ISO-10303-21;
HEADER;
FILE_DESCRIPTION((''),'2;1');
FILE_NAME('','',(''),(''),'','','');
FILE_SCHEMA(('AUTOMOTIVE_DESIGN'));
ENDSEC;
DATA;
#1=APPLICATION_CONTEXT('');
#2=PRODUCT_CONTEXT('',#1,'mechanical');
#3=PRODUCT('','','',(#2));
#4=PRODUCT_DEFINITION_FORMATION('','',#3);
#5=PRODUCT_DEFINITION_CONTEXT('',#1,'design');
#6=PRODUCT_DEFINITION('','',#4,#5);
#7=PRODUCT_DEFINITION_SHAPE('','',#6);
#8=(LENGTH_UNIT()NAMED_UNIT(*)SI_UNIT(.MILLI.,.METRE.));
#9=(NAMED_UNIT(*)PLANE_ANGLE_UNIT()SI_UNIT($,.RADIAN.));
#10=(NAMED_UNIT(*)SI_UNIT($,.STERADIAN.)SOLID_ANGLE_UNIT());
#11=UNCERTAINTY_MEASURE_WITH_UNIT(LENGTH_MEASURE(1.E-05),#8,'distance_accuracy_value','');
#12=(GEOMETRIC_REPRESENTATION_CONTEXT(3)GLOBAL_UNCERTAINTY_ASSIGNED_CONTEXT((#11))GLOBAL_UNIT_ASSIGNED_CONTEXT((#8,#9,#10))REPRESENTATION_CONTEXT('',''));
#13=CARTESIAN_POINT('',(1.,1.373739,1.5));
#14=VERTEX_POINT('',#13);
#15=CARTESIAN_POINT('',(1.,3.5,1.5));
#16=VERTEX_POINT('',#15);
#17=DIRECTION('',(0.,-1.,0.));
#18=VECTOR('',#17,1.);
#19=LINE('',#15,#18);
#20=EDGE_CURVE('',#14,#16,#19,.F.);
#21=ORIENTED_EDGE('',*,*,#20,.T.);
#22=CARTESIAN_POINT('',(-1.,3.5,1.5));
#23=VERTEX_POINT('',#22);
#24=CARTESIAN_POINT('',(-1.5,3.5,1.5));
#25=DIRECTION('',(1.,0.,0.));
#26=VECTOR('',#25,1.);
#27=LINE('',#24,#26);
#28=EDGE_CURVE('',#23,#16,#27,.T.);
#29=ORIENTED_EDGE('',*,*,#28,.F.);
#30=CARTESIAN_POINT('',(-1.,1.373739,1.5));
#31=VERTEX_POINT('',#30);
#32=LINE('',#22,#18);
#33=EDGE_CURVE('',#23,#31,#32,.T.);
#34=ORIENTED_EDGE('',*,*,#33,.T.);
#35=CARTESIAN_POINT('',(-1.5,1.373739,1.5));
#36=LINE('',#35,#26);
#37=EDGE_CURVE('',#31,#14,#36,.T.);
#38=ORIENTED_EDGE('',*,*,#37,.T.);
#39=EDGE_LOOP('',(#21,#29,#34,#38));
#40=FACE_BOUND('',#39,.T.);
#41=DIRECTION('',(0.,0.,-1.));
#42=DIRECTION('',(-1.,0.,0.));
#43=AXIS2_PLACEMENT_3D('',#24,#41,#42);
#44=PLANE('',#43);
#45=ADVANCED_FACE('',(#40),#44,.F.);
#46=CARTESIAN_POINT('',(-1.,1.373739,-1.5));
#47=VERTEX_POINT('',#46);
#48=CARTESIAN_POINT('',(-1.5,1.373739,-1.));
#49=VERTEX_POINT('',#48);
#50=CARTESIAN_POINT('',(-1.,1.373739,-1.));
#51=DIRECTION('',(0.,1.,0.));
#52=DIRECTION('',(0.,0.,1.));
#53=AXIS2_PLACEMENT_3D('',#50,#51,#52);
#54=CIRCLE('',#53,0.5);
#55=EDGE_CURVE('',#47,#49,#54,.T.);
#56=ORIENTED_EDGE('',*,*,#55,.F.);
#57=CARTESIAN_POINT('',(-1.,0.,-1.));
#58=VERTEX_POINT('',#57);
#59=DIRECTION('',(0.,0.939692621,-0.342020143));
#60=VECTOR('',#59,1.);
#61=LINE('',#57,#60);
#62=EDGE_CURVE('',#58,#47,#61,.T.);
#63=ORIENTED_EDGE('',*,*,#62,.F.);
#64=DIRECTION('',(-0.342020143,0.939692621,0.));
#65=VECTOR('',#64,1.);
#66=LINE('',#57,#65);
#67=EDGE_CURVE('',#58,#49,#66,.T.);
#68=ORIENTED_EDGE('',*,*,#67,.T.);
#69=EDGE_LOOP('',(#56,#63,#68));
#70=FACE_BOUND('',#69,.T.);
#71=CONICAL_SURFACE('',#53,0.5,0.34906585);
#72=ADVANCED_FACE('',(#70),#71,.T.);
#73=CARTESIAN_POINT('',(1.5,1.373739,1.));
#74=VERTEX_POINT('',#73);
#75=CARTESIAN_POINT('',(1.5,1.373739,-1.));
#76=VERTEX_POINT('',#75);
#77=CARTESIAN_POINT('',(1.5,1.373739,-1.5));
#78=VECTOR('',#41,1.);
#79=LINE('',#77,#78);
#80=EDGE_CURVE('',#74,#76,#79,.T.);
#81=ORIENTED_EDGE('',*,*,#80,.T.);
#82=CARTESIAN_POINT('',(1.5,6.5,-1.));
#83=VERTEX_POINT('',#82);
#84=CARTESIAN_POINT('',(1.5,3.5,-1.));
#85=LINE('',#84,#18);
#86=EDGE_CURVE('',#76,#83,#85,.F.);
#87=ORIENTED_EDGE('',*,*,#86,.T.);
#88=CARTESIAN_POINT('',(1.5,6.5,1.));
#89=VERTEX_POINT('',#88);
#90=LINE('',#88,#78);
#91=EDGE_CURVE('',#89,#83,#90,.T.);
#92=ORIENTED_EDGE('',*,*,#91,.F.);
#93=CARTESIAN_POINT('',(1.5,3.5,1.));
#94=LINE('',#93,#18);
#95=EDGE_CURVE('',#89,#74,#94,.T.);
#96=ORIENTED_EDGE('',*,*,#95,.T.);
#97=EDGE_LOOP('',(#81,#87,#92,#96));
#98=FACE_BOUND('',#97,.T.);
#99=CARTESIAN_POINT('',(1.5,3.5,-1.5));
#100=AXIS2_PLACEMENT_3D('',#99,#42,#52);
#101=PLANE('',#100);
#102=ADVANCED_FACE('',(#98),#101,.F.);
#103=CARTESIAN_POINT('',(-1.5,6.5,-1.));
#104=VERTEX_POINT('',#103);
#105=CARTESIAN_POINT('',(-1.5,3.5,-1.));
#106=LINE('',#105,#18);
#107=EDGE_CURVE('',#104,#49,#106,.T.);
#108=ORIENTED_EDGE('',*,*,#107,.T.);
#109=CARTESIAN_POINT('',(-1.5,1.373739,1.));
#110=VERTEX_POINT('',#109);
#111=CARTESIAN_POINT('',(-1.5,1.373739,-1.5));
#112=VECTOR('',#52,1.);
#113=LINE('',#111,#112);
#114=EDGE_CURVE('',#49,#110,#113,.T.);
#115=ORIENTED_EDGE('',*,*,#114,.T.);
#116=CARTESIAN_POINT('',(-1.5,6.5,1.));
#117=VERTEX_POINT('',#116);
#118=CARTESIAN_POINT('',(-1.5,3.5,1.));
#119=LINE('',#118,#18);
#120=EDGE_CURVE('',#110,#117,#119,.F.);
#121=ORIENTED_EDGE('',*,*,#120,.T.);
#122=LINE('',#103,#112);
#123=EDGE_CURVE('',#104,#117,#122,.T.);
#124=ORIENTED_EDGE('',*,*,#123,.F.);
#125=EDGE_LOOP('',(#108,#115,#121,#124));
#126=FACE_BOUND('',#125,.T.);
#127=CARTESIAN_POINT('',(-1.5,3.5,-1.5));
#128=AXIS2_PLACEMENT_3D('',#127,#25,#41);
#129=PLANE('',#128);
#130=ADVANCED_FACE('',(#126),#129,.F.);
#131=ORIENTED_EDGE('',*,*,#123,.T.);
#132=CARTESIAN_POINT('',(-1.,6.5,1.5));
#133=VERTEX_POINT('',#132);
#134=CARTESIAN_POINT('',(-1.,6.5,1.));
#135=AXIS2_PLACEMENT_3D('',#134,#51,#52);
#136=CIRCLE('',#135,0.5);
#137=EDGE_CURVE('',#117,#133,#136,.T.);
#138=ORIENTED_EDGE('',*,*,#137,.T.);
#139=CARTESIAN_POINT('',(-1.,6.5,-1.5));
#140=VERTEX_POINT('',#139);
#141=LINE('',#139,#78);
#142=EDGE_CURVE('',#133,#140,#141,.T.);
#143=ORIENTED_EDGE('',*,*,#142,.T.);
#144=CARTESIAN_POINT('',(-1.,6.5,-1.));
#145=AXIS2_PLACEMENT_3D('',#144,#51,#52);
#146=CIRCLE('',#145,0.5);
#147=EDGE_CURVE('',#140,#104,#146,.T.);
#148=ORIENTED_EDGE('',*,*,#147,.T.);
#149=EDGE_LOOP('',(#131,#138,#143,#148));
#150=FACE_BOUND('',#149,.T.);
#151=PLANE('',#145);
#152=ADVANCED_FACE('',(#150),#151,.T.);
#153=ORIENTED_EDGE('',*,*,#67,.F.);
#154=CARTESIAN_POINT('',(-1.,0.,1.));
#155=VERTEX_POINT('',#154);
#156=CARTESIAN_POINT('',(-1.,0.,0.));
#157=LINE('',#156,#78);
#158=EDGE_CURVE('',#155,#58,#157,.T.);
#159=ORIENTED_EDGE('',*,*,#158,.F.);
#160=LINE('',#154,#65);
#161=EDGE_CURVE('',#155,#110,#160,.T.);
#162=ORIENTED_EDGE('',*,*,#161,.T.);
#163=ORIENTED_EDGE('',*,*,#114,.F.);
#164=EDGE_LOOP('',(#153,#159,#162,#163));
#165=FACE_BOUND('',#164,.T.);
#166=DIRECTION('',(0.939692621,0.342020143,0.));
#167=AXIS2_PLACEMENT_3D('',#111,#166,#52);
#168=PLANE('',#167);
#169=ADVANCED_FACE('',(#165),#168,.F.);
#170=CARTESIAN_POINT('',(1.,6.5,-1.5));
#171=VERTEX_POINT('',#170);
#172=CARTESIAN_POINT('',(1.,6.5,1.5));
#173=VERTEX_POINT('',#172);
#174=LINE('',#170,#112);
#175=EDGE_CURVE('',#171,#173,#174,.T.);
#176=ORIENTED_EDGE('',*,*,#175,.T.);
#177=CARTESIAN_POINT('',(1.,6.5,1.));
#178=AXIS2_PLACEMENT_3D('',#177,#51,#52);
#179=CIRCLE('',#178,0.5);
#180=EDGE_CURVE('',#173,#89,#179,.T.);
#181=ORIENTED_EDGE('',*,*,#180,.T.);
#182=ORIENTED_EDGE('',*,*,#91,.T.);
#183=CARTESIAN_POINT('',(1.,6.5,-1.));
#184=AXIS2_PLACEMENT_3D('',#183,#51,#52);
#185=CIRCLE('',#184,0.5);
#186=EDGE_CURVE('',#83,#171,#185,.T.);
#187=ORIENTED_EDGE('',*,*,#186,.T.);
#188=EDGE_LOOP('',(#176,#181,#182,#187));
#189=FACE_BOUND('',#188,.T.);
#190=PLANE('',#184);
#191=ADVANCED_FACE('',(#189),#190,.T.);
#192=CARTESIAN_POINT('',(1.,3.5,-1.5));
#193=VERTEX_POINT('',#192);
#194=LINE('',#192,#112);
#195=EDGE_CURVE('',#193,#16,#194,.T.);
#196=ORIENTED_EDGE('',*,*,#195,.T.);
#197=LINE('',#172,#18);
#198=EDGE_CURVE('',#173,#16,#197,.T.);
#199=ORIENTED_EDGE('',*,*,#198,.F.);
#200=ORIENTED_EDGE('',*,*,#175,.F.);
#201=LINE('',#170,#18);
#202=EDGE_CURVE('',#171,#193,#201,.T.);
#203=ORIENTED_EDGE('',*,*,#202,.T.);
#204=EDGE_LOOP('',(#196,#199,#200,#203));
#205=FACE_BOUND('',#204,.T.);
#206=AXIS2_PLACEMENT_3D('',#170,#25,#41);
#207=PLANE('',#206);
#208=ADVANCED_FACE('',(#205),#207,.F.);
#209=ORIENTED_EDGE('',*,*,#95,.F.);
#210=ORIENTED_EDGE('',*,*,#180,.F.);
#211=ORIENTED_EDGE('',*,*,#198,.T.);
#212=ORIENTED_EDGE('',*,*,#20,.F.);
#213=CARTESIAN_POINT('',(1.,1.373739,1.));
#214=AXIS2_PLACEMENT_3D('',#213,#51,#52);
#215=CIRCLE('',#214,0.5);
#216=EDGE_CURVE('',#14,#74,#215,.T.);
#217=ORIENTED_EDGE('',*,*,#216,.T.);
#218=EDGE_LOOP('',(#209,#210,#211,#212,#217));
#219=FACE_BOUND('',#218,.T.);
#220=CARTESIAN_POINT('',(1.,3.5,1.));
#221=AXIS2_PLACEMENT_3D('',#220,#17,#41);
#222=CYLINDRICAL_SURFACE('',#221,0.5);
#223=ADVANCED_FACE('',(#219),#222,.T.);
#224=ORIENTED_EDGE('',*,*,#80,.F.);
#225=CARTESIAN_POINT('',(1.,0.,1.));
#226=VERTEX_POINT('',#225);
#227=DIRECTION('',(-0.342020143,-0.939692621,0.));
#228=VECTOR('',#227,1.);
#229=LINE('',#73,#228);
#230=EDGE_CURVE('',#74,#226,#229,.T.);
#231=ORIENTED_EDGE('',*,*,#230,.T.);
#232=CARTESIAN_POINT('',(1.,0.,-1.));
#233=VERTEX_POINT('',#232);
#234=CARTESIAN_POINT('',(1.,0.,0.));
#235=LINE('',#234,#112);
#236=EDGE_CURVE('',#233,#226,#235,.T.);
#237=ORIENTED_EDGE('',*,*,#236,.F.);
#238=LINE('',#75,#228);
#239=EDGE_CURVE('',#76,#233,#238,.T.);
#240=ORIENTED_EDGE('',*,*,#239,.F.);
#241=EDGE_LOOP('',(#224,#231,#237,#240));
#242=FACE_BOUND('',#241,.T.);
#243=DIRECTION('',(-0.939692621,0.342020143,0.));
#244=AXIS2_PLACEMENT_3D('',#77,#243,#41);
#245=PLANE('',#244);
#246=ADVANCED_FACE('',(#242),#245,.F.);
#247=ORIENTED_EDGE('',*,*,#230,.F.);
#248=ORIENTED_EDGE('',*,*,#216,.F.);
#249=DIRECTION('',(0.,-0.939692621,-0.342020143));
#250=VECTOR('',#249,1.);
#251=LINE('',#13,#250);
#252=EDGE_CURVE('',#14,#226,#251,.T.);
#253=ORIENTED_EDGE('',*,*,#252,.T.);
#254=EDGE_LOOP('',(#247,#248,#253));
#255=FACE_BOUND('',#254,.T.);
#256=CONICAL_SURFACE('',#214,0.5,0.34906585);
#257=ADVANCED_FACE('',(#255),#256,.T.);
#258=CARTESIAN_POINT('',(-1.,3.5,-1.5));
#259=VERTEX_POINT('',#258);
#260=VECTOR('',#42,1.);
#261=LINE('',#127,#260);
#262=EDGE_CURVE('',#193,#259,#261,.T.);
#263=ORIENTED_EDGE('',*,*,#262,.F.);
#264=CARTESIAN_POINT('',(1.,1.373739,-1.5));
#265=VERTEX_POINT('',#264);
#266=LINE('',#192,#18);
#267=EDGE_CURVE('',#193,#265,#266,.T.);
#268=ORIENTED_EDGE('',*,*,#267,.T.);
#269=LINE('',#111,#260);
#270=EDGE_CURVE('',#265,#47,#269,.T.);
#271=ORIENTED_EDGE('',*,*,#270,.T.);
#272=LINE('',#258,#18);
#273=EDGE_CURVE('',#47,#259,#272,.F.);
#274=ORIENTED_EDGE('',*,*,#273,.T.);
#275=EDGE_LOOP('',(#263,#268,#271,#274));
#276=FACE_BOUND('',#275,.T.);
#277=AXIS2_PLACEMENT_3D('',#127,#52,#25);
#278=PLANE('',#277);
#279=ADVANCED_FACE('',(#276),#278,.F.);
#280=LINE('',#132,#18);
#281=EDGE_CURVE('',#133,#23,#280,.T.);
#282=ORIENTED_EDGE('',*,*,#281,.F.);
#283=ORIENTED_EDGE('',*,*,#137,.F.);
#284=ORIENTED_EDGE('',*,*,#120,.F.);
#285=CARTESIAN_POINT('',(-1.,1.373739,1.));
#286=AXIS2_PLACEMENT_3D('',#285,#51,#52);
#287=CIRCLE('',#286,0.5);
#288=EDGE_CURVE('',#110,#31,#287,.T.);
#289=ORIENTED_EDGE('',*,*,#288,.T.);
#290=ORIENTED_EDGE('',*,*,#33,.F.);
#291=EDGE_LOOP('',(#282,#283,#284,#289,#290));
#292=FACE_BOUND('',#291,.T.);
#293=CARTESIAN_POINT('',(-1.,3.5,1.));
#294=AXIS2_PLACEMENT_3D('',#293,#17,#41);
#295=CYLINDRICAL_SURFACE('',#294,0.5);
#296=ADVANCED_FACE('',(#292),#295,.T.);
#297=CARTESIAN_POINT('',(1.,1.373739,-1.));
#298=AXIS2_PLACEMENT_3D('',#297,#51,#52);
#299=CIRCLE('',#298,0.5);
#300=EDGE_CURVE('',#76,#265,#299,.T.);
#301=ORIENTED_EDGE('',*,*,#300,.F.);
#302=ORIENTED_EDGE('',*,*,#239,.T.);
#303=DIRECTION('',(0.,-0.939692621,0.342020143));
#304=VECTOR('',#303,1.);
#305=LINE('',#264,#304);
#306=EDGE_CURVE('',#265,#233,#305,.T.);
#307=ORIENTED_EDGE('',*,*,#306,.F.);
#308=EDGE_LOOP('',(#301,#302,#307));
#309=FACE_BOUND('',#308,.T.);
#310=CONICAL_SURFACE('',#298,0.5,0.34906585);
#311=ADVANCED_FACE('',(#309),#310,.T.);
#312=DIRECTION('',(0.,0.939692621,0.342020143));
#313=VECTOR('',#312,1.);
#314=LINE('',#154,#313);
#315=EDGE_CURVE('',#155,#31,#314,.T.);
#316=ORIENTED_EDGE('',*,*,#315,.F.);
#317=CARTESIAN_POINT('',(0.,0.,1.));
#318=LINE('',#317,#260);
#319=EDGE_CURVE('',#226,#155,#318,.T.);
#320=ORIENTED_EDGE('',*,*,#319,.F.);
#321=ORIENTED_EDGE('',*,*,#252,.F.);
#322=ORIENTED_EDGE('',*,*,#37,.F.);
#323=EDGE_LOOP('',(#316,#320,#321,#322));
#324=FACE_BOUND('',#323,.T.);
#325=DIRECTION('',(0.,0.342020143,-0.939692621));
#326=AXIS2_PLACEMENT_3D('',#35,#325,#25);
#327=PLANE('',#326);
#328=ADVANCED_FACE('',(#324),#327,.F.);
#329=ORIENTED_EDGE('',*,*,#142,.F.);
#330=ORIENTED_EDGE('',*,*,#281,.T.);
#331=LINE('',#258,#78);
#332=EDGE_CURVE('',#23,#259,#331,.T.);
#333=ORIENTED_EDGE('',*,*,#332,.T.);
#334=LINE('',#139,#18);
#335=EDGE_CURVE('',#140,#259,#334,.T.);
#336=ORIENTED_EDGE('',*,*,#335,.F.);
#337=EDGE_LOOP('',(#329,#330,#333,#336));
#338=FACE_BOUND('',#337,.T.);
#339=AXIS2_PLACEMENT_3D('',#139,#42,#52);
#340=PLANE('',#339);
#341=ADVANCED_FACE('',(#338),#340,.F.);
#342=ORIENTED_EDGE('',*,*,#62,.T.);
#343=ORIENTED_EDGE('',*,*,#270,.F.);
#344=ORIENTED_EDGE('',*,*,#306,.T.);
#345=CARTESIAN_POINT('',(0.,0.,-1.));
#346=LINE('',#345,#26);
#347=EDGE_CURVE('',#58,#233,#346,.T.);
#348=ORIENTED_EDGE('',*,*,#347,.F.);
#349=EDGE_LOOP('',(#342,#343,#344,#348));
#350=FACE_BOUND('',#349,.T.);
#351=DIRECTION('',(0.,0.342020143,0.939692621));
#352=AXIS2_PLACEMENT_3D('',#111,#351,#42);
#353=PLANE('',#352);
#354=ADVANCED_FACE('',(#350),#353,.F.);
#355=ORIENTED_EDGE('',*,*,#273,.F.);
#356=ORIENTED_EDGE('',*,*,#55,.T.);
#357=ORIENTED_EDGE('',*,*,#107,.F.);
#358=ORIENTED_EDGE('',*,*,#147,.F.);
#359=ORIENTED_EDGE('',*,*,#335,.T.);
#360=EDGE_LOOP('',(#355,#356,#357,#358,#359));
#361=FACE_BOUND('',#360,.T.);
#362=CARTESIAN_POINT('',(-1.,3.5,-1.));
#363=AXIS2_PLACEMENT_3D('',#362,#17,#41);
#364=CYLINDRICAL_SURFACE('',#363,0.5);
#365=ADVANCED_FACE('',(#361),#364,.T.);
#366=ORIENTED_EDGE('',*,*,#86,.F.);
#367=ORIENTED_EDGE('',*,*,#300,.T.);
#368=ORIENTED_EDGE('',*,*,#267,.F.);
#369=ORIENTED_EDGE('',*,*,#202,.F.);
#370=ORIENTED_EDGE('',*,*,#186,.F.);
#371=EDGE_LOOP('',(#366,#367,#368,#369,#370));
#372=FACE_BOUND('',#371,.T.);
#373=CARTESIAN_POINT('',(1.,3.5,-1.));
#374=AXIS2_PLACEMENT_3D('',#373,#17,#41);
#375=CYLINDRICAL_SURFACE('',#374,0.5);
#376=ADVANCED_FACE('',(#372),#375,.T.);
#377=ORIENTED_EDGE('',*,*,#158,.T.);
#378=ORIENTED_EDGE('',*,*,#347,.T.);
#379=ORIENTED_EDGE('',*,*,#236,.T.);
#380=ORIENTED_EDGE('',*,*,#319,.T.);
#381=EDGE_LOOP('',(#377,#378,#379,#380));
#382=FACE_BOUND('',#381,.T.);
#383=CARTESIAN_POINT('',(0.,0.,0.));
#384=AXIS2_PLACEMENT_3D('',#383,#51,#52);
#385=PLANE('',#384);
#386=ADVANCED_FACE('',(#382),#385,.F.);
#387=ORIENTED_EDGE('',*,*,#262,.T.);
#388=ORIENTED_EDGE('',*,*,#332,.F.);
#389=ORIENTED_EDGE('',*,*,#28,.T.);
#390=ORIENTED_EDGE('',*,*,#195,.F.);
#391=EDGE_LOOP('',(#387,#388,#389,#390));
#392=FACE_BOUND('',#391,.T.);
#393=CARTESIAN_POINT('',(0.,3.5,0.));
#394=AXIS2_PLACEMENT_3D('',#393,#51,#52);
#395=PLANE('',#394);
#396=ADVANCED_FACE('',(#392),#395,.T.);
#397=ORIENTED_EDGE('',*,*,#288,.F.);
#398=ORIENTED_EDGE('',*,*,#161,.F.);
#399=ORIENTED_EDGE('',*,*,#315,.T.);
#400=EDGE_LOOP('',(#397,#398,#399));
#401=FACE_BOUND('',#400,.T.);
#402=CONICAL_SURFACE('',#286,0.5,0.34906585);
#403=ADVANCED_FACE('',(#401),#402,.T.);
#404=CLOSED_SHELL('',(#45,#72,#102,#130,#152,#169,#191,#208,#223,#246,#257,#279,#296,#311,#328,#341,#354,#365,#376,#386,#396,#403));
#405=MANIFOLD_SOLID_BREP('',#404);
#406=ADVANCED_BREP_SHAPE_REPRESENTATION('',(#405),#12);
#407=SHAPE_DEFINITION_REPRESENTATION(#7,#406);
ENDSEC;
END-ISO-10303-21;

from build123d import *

# Parameters (mm, degrees)
SKETCH1_W           = 3
SKETCH1_H           = 3
BOSS_EXTRUDE1_DEPTH = 3.5
FILLET1_R           = 0.5
CHAMFER1_SIZE       = 0.5
CHAMFER1_SIZE2      = 1.37373871
BOSS_EXTRUDE2_START = 3
BOSS_EXTRUDE2_DEPTH = 3


with BuildPart() as part:
    # Sketch1 → Boss-Extrude1 (new body)
    with BuildSketch(Plane(origin=(0, 0, 0), x_dir=(1, 0, 0), z_dir=(0, 1, 0))):
        Rectangle(SKETCH1_W, SKETCH1_H)
    extrude(amount=BOSS_EXTRUDE1_DEPTH)

    # Fillet1
    fillet1_edges = [part.edges().sort_by_distance(p)[0] for p in [
        (-1.5, 1.75, -1.5),
        (1.5, 1.75, -1.5),
        (1.5, 1.75, 1.5),
        (-1.5, 1.75, 1.5),
    ]]
    fillet(fillet1_edges, radius=FILLET1_R)

    # Chamfer1
    chamfer1_edges = [part.edges().sort_by_distance(p)[0] for p in [
        (-1.5, 0, 0),
        (0, 0, -1.5),
        (1.5, 0, 0),
        (0, 0, 1.5),
        (1.353553391, 0, 1.353553391),
        (-1.353553391, 0, 1.353553391),
        (1.353553391, 0, -1.353553391),
        (-1.353553391, 0, -1.353553391),
    ]]
    chamfer1_side = [part.faces().sort_by_distance(p)[0] for p in [
        (0, 0, 0),
    ]]
    chamfer(chamfer1_edges, length=CHAMFER1_SIZE, length2=CHAMFER1_SIZE2, reference=chamfer1_side[0])

    # Sketch2 → Boss-Extrude2 (add)
    with BuildSketch(Plane(origin=(0, 3.5, 0), x_dir=(1, 0, 0), z_dir=(0, 1, 0)).offset(BOSS_EXTRUDE2_START)):
        with BuildLine():
            Line((-1, 1.5), (-1, -1.5))
            ThreePointArc((-1, -1.5), (-1.353553391, -1.353553391), (-1.5, -1))
            Line((-1.5, -1), (-1.5, 1))
            ThreePointArc((-1.5, 1), (-1.353553391, 1.353553391), (-1, 1.5))
        make_face()
        with BuildLine():
            Line((1.5, -1), (1.5, 1))
            ThreePointArc((1.5, 1), (1.353553391, 1.353553391), (1, 1.5))
            Line((1, 1.5), (1, -1.5))
            ThreePointArc((1, -1.5), (1.353553391, -1.353553391), (1.5, -1))
        make_face()
    extrude(amount=-BOSS_EXTRUDE2_DEPTH)


solid = part.part
